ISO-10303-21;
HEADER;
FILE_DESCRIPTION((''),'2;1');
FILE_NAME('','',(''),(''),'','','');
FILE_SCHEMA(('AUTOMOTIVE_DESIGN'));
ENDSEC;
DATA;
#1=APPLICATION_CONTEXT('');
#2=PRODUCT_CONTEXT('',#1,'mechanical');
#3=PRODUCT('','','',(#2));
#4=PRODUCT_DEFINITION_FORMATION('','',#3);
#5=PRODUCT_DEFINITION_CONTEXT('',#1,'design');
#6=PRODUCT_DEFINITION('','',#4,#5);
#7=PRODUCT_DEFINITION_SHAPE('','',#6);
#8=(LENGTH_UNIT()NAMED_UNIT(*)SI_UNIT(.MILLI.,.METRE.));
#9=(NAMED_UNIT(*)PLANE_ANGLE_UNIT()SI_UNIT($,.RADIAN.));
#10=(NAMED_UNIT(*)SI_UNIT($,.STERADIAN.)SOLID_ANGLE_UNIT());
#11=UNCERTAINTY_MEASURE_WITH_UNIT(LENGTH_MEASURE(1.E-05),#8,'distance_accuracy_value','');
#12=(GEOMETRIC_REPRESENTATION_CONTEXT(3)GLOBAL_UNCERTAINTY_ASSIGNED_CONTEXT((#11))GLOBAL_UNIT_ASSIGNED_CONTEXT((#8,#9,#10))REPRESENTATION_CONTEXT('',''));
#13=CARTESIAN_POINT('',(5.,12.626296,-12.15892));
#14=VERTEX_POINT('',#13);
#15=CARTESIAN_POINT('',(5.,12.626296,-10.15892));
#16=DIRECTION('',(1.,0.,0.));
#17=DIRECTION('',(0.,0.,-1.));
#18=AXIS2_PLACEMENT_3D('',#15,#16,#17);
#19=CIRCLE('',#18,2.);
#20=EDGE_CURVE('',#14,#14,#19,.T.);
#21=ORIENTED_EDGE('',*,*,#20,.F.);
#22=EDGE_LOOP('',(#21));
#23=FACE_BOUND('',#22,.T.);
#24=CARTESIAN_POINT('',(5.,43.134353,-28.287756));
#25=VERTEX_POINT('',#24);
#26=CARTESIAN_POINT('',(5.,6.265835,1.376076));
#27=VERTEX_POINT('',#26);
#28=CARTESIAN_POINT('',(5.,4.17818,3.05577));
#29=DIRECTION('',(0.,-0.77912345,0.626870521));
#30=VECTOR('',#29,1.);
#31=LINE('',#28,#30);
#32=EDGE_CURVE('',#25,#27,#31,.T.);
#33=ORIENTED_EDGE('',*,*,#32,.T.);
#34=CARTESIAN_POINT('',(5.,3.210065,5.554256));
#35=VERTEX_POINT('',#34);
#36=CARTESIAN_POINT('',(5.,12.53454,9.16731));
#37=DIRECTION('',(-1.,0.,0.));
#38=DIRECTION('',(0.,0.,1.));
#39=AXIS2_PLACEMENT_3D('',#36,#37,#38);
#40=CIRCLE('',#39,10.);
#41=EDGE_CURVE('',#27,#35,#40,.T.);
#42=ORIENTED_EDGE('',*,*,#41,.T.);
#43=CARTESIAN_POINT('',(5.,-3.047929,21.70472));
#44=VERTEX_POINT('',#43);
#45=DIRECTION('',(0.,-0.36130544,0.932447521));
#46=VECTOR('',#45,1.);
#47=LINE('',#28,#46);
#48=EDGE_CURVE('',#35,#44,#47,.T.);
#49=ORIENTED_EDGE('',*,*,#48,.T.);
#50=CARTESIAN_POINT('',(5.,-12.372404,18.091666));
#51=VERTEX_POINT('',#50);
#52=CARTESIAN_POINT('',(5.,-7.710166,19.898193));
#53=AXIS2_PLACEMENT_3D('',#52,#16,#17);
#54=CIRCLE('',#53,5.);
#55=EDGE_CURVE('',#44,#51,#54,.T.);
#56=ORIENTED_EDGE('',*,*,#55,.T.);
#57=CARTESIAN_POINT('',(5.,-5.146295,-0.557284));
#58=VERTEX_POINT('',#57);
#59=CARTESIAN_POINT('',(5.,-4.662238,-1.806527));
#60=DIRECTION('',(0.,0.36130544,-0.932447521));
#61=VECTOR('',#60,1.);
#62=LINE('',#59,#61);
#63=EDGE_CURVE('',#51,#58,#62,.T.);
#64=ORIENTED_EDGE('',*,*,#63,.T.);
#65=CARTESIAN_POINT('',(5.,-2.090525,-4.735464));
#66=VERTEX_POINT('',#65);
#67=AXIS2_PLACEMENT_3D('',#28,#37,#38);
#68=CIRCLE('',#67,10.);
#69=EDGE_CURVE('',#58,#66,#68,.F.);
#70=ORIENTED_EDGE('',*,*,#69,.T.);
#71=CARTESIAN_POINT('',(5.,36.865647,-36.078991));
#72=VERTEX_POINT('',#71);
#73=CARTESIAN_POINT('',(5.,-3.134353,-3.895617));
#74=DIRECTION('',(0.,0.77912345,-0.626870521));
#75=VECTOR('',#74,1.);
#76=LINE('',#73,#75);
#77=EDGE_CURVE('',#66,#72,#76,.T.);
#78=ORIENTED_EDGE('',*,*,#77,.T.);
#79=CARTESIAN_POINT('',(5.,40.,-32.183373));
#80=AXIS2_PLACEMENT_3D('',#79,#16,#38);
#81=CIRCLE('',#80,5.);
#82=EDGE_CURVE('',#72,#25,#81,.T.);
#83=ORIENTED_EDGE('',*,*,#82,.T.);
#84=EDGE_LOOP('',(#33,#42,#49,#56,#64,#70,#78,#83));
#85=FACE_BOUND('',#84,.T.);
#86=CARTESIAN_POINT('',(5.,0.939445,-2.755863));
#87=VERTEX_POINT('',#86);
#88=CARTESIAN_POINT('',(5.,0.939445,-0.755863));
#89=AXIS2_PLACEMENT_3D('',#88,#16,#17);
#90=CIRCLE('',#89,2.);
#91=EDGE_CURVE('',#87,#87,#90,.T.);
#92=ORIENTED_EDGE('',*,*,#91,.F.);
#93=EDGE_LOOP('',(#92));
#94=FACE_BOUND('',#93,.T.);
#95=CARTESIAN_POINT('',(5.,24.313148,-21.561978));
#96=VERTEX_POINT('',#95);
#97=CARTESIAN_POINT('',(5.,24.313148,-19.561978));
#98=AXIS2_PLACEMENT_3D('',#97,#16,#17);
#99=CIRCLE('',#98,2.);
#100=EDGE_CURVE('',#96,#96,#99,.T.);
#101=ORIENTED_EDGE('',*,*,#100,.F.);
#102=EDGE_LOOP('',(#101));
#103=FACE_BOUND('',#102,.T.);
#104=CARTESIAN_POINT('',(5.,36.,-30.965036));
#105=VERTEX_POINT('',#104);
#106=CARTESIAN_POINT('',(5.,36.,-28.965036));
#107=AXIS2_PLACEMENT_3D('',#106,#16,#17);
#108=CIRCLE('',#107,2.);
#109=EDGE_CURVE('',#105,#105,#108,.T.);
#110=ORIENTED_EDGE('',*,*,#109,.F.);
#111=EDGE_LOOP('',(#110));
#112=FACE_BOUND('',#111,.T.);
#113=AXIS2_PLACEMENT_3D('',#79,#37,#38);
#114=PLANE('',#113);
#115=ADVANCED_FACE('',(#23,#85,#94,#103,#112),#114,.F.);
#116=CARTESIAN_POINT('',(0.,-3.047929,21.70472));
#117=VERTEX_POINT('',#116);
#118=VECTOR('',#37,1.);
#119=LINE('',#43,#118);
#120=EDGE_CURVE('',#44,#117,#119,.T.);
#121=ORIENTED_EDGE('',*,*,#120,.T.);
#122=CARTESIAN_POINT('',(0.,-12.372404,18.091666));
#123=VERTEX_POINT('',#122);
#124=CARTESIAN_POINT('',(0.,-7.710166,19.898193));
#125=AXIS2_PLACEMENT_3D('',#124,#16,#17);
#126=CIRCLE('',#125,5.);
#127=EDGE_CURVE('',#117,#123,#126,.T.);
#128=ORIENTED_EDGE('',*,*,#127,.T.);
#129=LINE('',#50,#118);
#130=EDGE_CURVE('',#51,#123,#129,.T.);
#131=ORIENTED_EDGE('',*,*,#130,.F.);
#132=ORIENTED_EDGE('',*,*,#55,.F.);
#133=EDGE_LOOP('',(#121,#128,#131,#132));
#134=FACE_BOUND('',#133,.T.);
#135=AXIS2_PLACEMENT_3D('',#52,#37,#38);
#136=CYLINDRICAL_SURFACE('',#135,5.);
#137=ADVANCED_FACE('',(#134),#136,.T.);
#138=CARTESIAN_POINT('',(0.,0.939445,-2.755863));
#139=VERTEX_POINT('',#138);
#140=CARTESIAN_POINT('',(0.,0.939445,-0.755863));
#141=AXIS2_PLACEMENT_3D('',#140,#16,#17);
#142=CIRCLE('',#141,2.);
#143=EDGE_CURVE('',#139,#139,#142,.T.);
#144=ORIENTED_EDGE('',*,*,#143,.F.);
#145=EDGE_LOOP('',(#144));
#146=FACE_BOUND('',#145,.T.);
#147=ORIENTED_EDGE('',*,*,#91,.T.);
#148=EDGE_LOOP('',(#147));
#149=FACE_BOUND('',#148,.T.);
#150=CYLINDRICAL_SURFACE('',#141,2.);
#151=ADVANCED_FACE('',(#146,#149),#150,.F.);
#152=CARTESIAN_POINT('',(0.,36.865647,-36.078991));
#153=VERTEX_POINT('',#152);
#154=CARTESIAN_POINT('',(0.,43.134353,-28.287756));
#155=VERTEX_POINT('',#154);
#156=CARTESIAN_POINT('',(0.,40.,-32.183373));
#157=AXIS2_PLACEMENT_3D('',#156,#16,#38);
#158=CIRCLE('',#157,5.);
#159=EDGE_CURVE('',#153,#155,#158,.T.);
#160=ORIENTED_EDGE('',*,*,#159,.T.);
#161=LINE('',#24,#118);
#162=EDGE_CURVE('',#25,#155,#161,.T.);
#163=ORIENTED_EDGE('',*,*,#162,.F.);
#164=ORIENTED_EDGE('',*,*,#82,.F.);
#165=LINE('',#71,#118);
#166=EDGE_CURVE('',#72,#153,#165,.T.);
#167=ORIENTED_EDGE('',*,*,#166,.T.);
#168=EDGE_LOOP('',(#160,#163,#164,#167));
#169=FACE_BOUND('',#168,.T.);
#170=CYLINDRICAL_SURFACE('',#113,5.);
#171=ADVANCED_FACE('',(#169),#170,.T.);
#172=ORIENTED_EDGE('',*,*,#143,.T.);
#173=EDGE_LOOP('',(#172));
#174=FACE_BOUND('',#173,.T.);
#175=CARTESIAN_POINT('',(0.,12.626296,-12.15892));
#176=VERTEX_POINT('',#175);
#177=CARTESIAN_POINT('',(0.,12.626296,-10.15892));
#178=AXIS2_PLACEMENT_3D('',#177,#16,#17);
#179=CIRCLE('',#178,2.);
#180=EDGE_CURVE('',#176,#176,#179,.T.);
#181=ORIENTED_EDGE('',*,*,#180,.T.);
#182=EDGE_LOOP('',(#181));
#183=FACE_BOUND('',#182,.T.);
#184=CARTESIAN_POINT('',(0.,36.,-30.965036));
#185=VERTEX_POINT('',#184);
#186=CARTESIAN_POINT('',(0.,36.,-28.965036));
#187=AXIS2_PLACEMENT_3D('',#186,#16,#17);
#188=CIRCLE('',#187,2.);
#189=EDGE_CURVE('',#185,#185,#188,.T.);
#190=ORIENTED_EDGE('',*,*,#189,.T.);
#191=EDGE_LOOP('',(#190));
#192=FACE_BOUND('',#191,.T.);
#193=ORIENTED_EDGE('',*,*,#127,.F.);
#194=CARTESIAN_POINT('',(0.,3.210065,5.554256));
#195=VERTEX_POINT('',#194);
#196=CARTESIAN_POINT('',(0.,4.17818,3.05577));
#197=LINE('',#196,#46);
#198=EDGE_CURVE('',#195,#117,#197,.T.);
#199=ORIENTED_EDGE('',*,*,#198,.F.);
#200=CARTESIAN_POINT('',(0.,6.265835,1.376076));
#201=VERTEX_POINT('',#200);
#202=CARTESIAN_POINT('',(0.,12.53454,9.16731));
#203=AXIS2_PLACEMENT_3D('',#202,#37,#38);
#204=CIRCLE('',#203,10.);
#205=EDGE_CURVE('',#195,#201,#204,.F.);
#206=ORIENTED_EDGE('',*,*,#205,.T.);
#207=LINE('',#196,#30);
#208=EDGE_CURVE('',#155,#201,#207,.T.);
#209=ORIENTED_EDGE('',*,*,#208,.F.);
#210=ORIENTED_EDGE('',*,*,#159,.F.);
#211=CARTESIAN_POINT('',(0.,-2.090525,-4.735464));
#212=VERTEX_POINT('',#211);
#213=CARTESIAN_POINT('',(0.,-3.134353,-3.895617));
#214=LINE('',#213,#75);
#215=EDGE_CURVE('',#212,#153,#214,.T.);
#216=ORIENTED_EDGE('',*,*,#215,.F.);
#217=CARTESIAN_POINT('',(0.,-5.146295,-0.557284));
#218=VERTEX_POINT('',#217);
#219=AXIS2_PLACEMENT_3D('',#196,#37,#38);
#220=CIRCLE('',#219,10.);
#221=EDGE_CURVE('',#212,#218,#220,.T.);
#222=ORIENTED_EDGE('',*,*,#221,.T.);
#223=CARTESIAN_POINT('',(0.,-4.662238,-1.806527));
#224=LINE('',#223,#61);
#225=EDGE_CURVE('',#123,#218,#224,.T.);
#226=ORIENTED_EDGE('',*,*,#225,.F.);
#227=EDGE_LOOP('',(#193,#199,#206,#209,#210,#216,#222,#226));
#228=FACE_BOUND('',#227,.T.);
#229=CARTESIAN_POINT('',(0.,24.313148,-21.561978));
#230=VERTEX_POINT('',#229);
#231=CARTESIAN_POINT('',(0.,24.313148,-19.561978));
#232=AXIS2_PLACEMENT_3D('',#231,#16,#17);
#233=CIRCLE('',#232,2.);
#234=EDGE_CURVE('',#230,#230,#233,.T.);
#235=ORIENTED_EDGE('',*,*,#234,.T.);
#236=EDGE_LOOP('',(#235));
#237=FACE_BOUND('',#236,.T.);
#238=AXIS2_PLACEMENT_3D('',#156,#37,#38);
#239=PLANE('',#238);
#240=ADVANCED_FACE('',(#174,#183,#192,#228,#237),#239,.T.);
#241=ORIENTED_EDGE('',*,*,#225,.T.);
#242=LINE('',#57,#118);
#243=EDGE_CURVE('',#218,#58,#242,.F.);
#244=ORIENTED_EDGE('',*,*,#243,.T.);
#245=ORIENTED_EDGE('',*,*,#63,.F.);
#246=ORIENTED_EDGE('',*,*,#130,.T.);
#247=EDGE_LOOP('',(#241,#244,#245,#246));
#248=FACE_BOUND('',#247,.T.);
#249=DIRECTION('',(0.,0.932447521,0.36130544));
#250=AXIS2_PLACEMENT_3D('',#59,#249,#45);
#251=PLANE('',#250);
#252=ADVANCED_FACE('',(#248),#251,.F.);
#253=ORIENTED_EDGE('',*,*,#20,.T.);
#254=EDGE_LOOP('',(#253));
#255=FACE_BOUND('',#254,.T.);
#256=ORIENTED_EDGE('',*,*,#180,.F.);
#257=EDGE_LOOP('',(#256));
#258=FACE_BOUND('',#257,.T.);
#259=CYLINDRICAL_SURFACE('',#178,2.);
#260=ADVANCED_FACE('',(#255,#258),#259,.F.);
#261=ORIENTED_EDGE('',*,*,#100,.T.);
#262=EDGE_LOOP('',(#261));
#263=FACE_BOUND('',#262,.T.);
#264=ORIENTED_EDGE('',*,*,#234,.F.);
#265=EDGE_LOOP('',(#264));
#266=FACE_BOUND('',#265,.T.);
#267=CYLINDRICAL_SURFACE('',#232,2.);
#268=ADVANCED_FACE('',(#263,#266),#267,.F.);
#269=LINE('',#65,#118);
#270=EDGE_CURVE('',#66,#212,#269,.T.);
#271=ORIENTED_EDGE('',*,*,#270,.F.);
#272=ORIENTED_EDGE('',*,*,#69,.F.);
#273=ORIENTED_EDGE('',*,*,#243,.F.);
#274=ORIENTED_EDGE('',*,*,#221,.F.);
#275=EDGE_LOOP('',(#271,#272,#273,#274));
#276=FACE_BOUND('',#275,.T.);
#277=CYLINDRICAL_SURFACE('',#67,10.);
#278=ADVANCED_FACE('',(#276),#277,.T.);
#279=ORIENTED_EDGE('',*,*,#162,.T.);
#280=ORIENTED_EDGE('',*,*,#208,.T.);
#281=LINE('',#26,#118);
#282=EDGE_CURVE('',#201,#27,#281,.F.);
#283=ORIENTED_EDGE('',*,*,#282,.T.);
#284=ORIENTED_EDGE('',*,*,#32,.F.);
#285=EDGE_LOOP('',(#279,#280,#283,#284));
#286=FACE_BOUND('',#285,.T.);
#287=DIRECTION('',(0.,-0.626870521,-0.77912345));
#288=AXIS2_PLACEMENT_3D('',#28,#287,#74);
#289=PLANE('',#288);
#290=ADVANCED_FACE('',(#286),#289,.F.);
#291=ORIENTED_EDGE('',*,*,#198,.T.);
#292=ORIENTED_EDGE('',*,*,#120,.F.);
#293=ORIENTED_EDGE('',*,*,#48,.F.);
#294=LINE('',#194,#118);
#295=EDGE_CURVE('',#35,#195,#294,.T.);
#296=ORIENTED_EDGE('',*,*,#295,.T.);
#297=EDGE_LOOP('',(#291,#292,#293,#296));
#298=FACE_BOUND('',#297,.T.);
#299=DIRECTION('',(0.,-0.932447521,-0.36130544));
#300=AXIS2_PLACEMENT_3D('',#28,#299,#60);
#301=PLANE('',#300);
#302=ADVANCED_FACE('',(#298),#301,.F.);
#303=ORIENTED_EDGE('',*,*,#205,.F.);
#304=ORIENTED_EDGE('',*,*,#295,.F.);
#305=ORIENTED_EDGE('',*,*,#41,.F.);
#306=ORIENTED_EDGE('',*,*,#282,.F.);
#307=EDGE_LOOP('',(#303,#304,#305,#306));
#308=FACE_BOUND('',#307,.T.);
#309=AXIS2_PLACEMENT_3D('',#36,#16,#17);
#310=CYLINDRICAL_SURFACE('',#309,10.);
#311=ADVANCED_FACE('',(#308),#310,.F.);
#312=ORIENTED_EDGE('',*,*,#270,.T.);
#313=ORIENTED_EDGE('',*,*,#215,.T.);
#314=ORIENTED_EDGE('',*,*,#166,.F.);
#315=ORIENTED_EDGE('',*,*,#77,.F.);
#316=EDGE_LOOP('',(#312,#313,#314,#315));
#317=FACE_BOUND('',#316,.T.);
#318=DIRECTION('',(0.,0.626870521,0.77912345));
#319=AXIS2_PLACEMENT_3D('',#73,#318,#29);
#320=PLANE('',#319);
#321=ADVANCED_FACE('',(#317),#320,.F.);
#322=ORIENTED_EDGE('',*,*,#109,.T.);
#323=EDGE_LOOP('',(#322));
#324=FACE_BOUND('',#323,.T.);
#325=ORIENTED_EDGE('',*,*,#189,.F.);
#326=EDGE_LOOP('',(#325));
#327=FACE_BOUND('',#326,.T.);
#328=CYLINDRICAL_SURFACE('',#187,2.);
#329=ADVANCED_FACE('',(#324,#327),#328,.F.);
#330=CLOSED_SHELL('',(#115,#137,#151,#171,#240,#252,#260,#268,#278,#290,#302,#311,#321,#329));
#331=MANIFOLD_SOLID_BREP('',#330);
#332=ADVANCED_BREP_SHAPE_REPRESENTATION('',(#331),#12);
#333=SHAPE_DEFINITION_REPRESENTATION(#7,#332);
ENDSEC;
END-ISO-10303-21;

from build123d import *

# Parameters (mm, degrees)
BOSS_EXTRUDE1_DEPTH = 5
SKETCH2_R           = 2
CUT_EXTRUDE1_DEPTH  = 5
FILLET1_R           = 10
FILLET2_R           = 10


with BuildPart() as part:
    # Sketch1 → Boss-Extrude1 (new body)
    with BuildSketch(Plane(origin=(0, 0, 0), x_dir=(0, 0, -1), z_dir=(1, 0, 0))):
        with BuildLine():
            Line((3.89561725, -3.134352603), (36.078990527, 36.865647397))
            ThreePointArc((36.078990527, 36.865647397), (35.317725879, 43.89561725), (28.287756026, 43.134352603))
            Line((28.287756026, 43.134352603), (-3.055770002, 4.178180099))
            Line((-3.055770002, 4.178180099), (-21.704720416, -3.047928704))
            ThreePointArc((-21.704720416, -3.047928704), (-24.560430819, -9.516693509), (-18.091666014, -12.372403912))
            Line((-18.091666014, -12.372403912), (1.806527201, -4.662237604))
            Line((1.806527201, -4.662237604), (3.055770002, -4.178180099))
            Line((3.055770002, -4.178180099), (3.89561725, -3.134352603))
        make_face()
    extrude(amount=BOSS_EXTRUDE1_DEPTH)

    # Sketch2 → Cut-Extrude1 (cut)
    with BuildSketch(Plane(origin=(5, 0, 0), x_dir=(0, 0, -1), z_dir=(1, 0, 0))):
        with Locations((28.965035949, 36)):
            Circle(SKETCH2_R)
        with Locations((19.561978141, 24.313148249)):
            Circle(SKETCH2_R)
        with Locations((10.158920332, 12.626296498)):
            Circle(SKETCH2_R)
        with Locations((0.755862524, 0.939444747)):
            Circle(SKETCH2_R)
    extrude(amount=-CUT_EXTRUDE1_DEPTH, mode=Mode.SUBTRACT)

    # Fillet1
    fillet1_edges = [part.edges().sort_by_distance(p)[0] for p in [
        (2.5, 4.178180099, 3.055770002),
    ]]
    fillet(fillet1_edges, radius=FILLET1_R)

    # Fillet2
    fillet2_edges = [part.edges().sort_by_distance(p)[0] for p in [
        (2.5, -4.178180099, -3.055770002),
    ]]
    fillet(fillet2_edges, radius=FILLET2_R)


solid = part.part
